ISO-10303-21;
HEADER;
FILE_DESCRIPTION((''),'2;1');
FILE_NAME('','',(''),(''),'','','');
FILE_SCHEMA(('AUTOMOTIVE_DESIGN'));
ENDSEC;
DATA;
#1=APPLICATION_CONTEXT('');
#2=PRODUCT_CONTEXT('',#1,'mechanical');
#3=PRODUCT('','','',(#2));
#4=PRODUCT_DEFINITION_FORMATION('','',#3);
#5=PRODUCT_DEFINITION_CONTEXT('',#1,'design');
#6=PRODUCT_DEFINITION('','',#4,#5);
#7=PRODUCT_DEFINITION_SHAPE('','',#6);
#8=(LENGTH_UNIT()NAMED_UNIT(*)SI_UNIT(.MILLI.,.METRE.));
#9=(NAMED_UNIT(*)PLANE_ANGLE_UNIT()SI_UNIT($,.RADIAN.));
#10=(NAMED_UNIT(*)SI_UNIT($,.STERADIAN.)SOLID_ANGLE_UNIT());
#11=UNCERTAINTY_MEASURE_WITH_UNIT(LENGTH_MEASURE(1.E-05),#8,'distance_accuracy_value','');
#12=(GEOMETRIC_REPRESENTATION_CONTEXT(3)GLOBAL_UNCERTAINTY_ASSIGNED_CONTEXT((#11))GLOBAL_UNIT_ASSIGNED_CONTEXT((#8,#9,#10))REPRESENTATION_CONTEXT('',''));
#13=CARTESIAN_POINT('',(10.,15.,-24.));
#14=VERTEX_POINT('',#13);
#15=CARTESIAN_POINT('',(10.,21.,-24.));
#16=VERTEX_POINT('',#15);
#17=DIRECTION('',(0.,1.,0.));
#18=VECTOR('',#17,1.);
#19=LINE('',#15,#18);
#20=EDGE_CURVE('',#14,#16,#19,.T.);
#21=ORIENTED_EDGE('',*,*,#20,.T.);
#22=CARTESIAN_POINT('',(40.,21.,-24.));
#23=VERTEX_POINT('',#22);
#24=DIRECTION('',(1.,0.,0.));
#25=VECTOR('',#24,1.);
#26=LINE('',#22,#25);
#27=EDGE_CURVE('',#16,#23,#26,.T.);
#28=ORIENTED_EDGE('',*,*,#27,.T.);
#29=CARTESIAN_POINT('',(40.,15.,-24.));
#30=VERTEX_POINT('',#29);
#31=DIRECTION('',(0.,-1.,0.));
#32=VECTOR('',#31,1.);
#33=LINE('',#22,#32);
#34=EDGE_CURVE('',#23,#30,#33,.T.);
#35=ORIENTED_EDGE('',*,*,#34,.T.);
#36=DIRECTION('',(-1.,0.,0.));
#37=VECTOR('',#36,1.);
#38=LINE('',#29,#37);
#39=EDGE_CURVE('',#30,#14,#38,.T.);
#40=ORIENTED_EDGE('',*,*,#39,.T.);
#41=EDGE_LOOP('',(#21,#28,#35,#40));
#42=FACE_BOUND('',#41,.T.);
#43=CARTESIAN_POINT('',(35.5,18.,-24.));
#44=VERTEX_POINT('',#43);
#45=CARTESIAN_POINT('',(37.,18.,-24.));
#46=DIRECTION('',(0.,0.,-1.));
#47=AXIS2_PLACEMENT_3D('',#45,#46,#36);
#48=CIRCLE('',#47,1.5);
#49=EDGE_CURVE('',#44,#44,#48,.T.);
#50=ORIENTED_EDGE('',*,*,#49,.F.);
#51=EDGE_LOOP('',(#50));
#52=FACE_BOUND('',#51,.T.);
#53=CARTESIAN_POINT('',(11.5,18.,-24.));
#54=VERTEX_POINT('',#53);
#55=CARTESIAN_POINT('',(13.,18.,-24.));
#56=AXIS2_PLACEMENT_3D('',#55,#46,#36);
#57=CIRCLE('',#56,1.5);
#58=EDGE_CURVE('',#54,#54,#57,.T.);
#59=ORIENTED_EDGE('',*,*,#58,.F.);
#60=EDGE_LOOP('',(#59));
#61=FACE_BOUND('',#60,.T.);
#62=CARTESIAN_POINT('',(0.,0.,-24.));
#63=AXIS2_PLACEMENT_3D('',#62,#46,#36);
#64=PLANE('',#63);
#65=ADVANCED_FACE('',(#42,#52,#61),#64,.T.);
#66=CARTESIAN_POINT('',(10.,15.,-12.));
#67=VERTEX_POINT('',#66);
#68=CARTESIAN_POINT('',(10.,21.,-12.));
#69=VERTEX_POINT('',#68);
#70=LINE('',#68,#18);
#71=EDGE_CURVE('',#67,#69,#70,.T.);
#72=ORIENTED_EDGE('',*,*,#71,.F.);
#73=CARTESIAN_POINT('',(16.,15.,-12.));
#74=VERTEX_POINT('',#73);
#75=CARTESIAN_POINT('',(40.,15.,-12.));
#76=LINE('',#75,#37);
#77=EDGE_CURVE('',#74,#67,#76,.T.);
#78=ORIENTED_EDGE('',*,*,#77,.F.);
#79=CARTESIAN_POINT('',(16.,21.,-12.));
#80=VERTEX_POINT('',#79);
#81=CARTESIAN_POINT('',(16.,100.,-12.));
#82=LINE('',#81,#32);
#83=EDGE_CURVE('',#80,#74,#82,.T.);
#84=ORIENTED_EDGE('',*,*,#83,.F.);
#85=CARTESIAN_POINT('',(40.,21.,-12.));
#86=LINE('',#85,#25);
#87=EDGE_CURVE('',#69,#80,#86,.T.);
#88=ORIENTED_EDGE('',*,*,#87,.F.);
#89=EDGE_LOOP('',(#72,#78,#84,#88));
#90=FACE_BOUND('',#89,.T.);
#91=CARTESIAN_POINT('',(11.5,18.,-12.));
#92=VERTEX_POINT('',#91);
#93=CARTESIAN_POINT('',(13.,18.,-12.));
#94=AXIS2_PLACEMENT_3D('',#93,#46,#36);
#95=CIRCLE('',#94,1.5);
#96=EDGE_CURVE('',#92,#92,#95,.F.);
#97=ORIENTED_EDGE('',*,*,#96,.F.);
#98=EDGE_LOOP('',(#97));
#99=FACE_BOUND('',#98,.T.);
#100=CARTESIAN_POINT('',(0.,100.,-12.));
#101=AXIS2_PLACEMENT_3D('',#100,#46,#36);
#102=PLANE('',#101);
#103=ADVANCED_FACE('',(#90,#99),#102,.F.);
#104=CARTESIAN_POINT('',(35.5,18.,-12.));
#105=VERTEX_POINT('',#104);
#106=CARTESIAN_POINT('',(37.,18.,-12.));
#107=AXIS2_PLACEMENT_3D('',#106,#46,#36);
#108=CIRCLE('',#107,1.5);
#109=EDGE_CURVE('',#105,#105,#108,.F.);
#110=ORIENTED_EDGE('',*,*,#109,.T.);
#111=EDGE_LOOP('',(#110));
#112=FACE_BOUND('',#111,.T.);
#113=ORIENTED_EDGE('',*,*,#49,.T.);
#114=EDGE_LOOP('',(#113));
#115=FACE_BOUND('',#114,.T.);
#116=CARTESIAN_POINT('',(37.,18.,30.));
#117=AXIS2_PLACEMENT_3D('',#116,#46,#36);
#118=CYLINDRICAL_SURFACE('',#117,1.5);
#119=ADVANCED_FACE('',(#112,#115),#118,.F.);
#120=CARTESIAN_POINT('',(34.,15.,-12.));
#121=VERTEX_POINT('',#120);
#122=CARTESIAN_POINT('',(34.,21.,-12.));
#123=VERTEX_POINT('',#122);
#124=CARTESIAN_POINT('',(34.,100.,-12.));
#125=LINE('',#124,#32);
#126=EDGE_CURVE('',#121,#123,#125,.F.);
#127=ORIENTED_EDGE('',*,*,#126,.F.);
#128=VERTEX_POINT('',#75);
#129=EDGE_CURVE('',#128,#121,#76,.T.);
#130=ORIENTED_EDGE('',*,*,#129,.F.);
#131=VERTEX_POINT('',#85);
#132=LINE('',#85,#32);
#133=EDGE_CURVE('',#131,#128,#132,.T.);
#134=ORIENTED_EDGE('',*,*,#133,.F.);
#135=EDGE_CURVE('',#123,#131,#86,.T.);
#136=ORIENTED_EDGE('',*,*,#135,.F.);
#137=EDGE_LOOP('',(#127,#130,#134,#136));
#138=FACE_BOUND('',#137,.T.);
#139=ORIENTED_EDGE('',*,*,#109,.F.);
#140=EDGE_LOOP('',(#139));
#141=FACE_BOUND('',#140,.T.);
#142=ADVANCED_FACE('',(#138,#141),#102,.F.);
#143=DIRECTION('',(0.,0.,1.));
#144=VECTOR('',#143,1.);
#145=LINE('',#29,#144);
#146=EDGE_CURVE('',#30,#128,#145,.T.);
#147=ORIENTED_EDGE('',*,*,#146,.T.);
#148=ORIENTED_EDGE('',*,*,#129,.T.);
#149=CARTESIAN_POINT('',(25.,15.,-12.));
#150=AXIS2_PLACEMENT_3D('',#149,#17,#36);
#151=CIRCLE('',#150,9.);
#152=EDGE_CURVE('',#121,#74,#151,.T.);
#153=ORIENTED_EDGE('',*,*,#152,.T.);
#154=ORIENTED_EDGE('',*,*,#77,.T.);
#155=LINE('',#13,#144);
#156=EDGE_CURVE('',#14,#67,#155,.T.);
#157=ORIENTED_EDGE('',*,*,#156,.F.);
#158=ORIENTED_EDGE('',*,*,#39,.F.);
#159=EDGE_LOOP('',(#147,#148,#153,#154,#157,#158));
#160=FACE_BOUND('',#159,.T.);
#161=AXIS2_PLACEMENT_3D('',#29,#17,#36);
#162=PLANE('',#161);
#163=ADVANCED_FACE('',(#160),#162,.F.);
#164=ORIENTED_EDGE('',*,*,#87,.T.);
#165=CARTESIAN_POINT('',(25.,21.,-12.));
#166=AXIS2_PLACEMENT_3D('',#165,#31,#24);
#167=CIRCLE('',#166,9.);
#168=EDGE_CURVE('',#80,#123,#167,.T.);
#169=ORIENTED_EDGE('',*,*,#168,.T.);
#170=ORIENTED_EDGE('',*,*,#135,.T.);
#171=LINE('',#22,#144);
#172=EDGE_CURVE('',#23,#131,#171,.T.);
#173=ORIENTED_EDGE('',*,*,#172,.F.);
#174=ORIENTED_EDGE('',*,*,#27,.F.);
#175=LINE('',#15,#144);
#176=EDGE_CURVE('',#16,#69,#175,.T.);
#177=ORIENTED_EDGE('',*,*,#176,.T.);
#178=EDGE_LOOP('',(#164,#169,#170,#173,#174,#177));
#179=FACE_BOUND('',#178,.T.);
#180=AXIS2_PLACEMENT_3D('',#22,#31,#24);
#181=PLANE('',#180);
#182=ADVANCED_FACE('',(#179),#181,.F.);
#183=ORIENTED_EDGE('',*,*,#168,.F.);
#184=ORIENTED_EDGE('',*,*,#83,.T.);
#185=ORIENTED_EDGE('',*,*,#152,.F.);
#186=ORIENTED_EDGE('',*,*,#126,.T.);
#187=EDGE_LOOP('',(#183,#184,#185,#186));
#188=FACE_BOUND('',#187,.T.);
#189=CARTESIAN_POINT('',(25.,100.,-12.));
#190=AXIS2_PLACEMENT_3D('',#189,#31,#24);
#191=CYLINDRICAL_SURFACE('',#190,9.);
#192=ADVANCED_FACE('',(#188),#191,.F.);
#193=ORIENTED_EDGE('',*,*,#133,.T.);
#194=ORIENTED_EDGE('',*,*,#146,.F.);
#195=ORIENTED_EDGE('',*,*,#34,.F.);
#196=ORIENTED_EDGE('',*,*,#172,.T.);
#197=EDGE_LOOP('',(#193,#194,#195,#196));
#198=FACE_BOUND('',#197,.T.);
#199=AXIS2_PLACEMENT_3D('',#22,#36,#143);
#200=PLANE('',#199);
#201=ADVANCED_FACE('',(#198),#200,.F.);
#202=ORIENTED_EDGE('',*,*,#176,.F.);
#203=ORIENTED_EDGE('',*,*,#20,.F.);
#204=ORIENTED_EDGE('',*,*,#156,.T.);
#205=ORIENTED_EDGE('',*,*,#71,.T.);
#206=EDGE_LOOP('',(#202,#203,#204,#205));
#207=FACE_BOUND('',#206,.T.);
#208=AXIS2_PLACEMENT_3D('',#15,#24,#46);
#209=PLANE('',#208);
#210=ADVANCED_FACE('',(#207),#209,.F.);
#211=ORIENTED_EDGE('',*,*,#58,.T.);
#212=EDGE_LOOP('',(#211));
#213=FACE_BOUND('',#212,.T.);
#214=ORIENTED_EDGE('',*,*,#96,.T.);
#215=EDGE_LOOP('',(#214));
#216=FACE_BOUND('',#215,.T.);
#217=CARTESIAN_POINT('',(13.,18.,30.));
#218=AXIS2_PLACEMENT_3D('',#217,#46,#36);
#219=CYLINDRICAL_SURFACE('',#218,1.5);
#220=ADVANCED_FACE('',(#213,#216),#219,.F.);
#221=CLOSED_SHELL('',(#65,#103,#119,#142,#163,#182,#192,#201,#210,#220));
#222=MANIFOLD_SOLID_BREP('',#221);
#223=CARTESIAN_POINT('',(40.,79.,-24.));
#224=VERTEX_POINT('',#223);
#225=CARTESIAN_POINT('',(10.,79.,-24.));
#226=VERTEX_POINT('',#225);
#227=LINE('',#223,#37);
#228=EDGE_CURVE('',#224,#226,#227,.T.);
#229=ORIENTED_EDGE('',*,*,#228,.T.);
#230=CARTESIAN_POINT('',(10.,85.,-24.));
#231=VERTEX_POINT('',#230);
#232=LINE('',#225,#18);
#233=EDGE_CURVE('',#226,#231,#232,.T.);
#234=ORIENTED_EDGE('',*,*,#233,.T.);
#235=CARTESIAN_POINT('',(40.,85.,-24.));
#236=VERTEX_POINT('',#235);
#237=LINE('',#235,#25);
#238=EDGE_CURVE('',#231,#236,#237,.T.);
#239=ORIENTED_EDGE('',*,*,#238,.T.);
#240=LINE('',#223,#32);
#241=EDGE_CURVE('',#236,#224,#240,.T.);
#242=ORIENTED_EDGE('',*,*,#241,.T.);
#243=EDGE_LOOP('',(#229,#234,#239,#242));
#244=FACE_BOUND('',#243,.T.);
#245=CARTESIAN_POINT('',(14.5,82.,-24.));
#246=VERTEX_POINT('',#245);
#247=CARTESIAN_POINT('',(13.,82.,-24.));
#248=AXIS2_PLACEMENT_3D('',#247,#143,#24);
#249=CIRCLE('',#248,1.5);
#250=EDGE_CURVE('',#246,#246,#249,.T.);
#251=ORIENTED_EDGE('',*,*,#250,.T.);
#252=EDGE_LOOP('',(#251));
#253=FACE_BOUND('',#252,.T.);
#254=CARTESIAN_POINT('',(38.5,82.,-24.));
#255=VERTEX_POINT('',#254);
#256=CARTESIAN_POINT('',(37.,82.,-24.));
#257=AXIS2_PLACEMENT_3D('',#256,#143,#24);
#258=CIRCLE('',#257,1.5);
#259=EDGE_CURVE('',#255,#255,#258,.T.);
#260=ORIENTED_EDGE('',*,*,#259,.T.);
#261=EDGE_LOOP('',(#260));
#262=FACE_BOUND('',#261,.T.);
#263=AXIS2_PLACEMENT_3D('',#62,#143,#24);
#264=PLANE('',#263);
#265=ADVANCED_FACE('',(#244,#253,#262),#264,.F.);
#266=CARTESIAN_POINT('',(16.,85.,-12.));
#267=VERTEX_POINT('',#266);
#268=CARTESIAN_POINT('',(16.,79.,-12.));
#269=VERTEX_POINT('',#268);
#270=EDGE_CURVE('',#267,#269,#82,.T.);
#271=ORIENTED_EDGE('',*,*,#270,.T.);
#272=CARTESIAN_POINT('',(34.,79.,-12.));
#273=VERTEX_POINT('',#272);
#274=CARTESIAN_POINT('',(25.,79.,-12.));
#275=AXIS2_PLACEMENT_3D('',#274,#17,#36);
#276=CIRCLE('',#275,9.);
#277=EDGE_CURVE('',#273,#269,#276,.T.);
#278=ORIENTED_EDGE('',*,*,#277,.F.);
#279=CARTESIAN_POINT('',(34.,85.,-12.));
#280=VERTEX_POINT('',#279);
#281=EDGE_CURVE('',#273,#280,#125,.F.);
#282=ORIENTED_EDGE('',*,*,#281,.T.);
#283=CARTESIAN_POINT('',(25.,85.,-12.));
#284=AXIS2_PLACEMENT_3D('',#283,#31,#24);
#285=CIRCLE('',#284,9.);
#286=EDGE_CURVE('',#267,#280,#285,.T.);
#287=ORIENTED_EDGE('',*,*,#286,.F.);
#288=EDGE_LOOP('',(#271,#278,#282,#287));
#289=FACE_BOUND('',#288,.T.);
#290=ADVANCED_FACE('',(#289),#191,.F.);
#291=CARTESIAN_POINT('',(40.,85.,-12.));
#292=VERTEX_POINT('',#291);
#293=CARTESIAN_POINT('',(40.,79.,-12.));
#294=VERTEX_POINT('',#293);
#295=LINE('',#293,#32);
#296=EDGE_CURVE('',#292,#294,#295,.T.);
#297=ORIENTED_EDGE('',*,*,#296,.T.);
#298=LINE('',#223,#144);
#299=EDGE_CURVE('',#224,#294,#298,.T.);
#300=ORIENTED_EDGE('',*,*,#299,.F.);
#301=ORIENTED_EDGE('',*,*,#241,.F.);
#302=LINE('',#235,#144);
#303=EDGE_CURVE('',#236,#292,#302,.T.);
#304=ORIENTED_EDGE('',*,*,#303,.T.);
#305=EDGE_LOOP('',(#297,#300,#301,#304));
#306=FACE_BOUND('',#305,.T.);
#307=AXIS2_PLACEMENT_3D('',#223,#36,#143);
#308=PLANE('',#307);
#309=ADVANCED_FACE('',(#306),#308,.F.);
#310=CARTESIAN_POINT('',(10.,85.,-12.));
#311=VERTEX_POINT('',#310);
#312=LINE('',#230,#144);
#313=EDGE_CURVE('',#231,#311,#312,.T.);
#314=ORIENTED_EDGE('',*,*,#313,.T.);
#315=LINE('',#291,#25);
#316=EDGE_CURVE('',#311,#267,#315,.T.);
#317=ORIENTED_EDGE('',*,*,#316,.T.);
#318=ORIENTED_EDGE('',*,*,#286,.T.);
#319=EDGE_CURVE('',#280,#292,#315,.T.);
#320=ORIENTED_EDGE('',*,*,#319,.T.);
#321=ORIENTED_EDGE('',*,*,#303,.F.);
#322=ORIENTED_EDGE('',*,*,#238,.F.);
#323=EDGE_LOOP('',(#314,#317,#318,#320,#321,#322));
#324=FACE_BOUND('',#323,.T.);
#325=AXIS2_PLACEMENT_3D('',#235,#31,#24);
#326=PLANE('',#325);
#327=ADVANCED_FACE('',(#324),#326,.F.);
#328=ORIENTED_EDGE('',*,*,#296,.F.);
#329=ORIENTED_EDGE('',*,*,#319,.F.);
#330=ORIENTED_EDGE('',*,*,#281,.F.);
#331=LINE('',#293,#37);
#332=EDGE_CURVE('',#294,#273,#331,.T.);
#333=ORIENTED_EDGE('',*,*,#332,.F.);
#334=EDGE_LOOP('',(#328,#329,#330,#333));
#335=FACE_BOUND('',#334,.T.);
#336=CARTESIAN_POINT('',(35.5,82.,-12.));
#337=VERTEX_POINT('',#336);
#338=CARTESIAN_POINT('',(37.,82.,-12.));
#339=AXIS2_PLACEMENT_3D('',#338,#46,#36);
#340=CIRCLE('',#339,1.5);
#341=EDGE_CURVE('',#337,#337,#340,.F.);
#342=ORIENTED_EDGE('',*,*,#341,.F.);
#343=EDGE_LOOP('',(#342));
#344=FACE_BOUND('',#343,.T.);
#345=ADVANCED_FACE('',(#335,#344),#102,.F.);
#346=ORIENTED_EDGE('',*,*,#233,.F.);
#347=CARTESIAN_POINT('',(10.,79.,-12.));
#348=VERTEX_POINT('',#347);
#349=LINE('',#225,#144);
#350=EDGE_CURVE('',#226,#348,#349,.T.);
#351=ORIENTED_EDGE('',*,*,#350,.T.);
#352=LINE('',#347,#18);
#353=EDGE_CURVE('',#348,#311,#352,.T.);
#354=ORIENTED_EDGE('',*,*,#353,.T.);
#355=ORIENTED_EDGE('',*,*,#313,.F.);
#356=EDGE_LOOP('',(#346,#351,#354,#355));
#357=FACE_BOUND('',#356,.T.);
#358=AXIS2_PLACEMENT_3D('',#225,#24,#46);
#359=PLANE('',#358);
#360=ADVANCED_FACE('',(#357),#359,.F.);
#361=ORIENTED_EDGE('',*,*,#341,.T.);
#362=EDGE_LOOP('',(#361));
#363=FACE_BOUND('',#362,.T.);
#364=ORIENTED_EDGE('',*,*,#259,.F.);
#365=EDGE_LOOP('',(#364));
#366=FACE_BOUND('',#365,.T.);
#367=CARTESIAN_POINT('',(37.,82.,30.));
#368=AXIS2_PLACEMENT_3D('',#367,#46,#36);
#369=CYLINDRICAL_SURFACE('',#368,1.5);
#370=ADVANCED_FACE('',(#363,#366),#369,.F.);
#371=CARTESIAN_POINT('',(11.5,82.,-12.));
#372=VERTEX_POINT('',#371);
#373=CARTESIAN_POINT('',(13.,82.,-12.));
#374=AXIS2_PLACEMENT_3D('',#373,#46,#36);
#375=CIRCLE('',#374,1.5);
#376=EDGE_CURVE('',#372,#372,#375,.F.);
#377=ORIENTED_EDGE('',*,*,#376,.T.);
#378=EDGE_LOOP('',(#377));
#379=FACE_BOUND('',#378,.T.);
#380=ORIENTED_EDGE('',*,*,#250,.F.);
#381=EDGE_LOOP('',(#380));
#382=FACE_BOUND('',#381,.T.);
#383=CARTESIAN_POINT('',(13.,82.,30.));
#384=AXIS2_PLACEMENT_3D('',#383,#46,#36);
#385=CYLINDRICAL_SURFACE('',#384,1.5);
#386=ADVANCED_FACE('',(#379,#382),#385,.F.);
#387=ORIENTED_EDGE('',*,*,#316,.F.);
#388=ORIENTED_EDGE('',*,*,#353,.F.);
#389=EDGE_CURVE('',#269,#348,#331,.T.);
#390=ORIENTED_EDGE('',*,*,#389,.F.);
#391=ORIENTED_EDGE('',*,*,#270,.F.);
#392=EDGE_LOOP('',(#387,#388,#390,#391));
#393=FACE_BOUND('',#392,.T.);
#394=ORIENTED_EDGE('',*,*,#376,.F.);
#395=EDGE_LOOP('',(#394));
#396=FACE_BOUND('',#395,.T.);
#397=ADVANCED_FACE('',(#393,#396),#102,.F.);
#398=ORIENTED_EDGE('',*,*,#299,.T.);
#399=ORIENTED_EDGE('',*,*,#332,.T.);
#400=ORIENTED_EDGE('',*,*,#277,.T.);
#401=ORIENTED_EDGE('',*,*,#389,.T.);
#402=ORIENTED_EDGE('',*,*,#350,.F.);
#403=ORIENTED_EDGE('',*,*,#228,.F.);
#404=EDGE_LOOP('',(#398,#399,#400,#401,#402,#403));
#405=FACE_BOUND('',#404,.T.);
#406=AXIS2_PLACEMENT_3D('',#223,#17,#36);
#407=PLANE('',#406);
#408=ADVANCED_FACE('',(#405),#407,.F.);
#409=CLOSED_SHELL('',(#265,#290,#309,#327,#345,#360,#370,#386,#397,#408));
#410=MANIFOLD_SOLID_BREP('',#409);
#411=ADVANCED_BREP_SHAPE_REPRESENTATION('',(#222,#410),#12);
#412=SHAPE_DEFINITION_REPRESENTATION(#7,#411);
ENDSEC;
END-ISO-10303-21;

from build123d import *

# Parameters (mm, degrees)
SKETCH1_W               = 50
SKETCH1_H               = 100
BOSS_EXTRUDE1_DEPTH     = 30
SKETCH2_W               = 42
SKETCH2_H               = 92
CUT_EXTRUDE1_DEPTH      = 26
SKETCH3_W               = 30
SKETCH3_H               = 6
BOSS_EXTRUDE2_DEPTH     = 24
CUT_EXTRUDE2_DEPTH      = 104.07764064
CUT_EXTRUDE2_DEPTH_BACK = 104.07764064
SKETCH4_R               = 9
CUT_EXTRUDE3_DEPTH      = 125.161185561
CUT_EXTRUDE3_DEPTH_BACK = 125.161185561
SKETCH5_R               = 1.5
CUT_EXTRUDE4_DEPTH      = 116.758369028
CUT_EXTRUDE4_DEPTH_BACK = 116.758369028
SKETCH6_W               = 50
SKETCH6_H               = 42


with BuildPart() as part:
    # Sketch1 → Boss-Extrude1 (new body)
    with BuildSketch(Plane.XY):
        with Locations((25, 50)):
            Rectangle(SKETCH1_W, SKETCH1_H)
    extrude(amount=BOSS_EXTRUDE1_DEPTH)

    # Sketch2 → Cut-Extrude1 (cut)
    with BuildSketch(Plane.XY.offset(30)):
        with Locations((25, 50)):
            Rectangle(SKETCH2_W, SKETCH2_H)
    extrude(amount=-CUT_EXTRUDE1_DEPTH, mode=Mode.SUBTRACT)

    # Sketch3 → Boss-Extrude2 (add)
    with BuildSketch(Plane(origin=(0, 0, 0), x_dir=(-1, 0, 0), z_dir=(0, 0, -1))):
        with Locations((-25, 18)):
            Rectangle(SKETCH3_W, SKETCH3_H)
        with Locations((-25, 82)):
            Rectangle(SKETCH3_W, SKETCH3_H)
    extrude(amount=BOSS_EXTRUDE2_DEPTH)

    # Sketch4 → Cut-Extrude2 (cut, two sides: drawn at the far end of the back side and taken through both)
    with BuildSketch(Plane.XZ.offset(-15).offset(-CUT_EXTRUDE2_DEPTH_BACK)):
        with Locations((25, -12)):
            Circle(SKETCH4_R)
    extrude(amount=CUT_EXTRUDE2_DEPTH + CUT_EXTRUDE2_DEPTH_BACK, mode=Mode.SUBTRACT)

    # Sketch5 → Cut-Extrude3 (cut, two sides: drawn at the far end of the back side and taken through both)
    with BuildSketch(Plane(origin=(0, 0, -24), x_dir=(-1, 0, 0), z_dir=(0, 0, -1)).offset(-CUT_EXTRUDE3_DEPTH_BACK)):
        with Locations((-13, 18)):
            Circle(SKETCH5_R)
        with Locations((-37, 18)):
            Circle(SKETCH5_R)
        with Locations((-13, 82)):
            Circle(SKETCH5_R)
        with Locations((-37, 82)):
            Circle(SKETCH5_R)
    extrude(amount=CUT_EXTRUDE3_DEPTH + CUT_EXTRUDE3_DEPTH_BACK, mode=Mode.SUBTRACT)

    # Sketch6 → Cut-Extrude4 (cut, two sides: drawn at the far end of the back side and taken through both)
    with BuildSketch(Plane.XZ.offset(-CUT_EXTRUDE4_DEPTH_BACK)):
        with Locations((25, 9)):
            Rectangle(SKETCH6_W, SKETCH6_H)
    extrude(amount=CUT_EXTRUDE4_DEPTH + CUT_EXTRUDE4_DEPTH_BACK, mode=Mode.SUBTRACT)


with BuildPart() as cut_extrude4_piece_1:
    # of the separate pieces the step leaves, piece 1, a body of its own (cut_extrude4_pieces)
    add(part.part.solids().sort_by_distance((40, 21, -12))[0])


with BuildPart() as cut_extrude4_piece_2:
    # of the separate pieces the step leaves, piece 2, a body of its own (cut_extrude4_pieces)
    add(part.part.solids().sort_by_distance((40, 85, -12))[0])


solid = Compound([cut_extrude4_piece_1.part, cut_extrude4_piece_2.part])
